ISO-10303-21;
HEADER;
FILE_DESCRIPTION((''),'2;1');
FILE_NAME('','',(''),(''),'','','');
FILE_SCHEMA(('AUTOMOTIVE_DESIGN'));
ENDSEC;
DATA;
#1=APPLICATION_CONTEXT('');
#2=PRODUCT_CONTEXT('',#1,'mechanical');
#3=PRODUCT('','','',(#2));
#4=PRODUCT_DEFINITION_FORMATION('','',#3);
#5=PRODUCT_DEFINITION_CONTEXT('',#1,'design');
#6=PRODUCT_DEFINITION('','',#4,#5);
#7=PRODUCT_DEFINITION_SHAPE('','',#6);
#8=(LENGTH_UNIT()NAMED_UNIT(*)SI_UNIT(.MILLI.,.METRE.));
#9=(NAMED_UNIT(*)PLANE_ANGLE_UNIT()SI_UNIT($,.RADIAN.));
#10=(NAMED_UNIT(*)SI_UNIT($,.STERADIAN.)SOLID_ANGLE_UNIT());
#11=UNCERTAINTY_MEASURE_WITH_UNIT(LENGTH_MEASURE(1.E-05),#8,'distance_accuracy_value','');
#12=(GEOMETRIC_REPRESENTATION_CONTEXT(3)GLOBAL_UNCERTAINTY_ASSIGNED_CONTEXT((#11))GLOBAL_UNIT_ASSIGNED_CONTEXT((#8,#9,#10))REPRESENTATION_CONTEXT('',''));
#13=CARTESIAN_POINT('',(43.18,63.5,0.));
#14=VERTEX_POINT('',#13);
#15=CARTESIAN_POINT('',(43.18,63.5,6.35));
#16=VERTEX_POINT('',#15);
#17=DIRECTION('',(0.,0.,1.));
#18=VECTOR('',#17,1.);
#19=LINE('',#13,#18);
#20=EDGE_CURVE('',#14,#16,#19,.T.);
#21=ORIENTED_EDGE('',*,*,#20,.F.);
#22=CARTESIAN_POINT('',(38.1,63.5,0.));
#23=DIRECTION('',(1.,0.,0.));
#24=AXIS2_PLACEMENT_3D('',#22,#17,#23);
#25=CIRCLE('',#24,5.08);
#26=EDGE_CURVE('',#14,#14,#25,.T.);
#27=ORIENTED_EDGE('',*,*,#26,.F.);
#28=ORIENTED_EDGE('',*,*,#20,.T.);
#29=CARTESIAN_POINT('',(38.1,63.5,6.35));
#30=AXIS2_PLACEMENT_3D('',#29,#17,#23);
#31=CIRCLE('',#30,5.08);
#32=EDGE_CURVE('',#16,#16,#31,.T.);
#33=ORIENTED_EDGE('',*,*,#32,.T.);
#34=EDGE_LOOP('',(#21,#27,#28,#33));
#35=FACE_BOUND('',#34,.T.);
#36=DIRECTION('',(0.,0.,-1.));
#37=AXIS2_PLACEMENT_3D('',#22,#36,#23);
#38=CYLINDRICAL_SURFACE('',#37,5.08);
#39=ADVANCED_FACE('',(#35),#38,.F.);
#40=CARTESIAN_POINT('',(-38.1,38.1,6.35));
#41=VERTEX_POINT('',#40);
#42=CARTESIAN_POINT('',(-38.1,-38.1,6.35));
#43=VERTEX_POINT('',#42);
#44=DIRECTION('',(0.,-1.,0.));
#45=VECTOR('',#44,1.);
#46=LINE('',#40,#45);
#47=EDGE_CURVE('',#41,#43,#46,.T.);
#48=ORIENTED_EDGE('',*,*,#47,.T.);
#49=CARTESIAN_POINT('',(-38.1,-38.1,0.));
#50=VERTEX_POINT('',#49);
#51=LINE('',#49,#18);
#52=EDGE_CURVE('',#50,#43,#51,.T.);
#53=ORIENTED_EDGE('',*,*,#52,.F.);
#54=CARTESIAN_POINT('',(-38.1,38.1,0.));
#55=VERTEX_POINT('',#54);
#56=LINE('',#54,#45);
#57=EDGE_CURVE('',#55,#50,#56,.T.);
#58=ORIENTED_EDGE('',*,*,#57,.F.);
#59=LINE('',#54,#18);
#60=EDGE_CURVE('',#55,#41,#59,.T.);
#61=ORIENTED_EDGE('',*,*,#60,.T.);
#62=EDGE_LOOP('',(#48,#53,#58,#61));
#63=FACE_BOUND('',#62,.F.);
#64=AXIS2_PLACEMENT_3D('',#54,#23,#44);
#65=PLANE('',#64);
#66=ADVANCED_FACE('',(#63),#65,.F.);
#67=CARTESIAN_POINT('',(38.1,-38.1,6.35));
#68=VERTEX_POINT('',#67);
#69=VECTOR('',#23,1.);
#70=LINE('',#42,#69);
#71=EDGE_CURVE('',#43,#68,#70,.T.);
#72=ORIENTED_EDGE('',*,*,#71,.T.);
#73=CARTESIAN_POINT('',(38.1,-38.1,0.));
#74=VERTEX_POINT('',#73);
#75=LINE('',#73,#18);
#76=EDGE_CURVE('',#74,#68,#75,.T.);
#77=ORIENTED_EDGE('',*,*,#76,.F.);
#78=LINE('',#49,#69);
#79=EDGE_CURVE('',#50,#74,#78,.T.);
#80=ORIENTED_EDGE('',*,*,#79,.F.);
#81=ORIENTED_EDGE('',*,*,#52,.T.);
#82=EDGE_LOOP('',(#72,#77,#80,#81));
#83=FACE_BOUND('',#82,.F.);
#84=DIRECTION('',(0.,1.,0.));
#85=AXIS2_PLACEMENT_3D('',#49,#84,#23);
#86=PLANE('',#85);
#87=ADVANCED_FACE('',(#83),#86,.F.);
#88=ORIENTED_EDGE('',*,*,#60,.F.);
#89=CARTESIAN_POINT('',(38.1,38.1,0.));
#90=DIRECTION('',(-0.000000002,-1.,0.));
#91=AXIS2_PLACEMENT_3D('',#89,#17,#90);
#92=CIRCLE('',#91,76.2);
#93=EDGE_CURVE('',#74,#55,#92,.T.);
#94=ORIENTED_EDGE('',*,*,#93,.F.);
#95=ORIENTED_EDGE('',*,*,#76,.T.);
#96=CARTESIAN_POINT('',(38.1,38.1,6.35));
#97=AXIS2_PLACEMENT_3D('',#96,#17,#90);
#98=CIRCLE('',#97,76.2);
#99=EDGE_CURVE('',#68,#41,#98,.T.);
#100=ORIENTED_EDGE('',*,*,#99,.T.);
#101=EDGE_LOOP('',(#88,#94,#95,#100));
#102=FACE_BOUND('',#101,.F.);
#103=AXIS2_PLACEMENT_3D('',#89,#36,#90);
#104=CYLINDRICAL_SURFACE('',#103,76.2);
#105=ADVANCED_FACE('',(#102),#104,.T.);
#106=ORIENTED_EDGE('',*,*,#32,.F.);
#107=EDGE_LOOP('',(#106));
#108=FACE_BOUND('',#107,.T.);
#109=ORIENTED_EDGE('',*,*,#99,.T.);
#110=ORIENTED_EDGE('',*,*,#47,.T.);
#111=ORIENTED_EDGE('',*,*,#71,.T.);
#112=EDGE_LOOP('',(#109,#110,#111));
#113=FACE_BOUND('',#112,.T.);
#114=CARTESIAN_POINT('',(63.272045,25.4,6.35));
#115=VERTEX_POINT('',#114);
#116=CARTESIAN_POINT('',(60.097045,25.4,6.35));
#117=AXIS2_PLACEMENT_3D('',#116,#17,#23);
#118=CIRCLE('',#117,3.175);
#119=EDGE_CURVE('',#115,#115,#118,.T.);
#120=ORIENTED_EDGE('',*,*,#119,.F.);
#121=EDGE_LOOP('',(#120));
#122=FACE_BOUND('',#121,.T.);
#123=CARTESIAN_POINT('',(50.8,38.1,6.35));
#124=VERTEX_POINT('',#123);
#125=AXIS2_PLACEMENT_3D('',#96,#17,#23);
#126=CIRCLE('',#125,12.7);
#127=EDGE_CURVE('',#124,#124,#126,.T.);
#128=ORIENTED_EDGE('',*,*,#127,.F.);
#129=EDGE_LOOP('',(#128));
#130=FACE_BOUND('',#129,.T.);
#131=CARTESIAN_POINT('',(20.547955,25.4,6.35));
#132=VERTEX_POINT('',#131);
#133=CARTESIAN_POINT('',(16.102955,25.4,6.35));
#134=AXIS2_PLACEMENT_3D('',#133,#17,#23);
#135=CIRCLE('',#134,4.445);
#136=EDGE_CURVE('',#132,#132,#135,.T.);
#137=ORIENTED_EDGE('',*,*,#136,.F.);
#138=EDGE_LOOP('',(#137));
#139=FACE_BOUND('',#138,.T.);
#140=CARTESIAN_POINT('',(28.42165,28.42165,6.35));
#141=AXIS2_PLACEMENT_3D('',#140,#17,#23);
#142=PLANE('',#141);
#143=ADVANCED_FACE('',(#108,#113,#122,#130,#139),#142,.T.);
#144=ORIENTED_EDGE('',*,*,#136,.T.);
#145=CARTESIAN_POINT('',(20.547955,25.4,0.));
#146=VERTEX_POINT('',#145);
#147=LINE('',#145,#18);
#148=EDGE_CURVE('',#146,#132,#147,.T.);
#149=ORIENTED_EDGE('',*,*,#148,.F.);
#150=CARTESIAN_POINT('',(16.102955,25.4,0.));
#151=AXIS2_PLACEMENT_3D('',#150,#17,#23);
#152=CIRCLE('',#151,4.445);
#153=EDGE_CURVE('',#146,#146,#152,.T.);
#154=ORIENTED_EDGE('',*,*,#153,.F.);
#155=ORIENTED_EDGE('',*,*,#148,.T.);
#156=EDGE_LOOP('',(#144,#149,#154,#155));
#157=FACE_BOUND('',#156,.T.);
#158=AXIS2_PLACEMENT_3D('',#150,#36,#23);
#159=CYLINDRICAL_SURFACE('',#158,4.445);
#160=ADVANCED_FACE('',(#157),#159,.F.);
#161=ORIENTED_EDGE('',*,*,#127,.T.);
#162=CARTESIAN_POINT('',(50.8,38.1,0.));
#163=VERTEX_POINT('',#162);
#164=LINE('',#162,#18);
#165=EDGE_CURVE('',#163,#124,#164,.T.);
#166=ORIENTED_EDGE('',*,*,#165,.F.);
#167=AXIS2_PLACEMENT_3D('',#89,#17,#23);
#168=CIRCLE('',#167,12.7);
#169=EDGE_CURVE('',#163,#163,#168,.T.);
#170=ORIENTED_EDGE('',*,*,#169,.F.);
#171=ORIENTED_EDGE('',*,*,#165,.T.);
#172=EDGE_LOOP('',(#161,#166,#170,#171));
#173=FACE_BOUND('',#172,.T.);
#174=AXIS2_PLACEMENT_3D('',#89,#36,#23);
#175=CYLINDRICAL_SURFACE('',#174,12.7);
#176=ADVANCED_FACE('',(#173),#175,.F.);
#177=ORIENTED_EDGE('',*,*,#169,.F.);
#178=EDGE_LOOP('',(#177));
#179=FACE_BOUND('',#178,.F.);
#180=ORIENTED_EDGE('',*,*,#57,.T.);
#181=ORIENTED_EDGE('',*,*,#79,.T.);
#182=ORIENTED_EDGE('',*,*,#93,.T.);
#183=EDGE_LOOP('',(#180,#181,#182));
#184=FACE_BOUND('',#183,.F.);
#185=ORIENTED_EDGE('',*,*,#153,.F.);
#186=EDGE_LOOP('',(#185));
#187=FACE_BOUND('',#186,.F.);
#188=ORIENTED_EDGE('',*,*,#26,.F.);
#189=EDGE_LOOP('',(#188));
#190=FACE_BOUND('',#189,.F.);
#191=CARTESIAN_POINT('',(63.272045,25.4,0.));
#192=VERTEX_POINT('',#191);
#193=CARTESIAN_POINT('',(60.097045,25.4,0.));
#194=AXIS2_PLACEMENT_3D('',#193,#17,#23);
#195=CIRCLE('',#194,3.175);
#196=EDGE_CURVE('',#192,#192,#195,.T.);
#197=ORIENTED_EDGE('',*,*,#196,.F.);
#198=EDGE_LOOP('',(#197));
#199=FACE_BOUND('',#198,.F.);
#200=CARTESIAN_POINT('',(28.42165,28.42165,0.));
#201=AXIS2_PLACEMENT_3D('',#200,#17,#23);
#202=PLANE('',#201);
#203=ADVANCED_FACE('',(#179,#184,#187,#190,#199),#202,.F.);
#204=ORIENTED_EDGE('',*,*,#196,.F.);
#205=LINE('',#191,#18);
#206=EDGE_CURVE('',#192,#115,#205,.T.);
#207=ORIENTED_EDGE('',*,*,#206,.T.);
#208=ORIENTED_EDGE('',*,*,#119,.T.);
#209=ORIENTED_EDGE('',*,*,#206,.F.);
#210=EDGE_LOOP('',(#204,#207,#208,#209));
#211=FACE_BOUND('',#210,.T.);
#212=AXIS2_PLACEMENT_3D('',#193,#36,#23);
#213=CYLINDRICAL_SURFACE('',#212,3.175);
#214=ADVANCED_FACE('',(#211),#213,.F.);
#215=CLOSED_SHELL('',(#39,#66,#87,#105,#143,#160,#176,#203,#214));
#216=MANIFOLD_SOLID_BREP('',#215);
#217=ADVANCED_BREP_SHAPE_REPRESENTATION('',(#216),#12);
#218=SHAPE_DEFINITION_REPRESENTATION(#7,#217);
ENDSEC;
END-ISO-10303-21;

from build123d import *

# Parameters (mm, degrees)
F0_R     = 4.445
F0_R_2   = 3.175
F0_R_3   = 12.7
F0_R_4   = 5.08
F1_DEPTH = 6.35


with BuildPart() as f1:
    # F0 (on Top) → F1 (new body)
    with BuildSketch(Plane.XY):
        with BuildLine():
            Line((-38.1, -38.1), (38.1, -38.1))
            ThreePointArc((38.1, -38.1), (91.981537, 91.981537), (-38.1, 38.1))
            Line((-38.1, 38.1), (-38.1, -38.1))
        make_face()
        with Locations((16.102955, 25.4)):
            Circle(F0_R, mode=Mode.SUBTRACT)
        with Locations((60.097045, 25.4)):
            Circle(F0_R_2, mode=Mode.SUBTRACT)
        with Locations((38.1, 38.1)):
            Circle(F0_R_3, mode=Mode.SUBTRACT)
        with Locations((38.1, 63.5)):
            Circle(F0_R_4, mode=Mode.SUBTRACT)
    extrude(amount=F1_DEPTH)


solid = f1.part
